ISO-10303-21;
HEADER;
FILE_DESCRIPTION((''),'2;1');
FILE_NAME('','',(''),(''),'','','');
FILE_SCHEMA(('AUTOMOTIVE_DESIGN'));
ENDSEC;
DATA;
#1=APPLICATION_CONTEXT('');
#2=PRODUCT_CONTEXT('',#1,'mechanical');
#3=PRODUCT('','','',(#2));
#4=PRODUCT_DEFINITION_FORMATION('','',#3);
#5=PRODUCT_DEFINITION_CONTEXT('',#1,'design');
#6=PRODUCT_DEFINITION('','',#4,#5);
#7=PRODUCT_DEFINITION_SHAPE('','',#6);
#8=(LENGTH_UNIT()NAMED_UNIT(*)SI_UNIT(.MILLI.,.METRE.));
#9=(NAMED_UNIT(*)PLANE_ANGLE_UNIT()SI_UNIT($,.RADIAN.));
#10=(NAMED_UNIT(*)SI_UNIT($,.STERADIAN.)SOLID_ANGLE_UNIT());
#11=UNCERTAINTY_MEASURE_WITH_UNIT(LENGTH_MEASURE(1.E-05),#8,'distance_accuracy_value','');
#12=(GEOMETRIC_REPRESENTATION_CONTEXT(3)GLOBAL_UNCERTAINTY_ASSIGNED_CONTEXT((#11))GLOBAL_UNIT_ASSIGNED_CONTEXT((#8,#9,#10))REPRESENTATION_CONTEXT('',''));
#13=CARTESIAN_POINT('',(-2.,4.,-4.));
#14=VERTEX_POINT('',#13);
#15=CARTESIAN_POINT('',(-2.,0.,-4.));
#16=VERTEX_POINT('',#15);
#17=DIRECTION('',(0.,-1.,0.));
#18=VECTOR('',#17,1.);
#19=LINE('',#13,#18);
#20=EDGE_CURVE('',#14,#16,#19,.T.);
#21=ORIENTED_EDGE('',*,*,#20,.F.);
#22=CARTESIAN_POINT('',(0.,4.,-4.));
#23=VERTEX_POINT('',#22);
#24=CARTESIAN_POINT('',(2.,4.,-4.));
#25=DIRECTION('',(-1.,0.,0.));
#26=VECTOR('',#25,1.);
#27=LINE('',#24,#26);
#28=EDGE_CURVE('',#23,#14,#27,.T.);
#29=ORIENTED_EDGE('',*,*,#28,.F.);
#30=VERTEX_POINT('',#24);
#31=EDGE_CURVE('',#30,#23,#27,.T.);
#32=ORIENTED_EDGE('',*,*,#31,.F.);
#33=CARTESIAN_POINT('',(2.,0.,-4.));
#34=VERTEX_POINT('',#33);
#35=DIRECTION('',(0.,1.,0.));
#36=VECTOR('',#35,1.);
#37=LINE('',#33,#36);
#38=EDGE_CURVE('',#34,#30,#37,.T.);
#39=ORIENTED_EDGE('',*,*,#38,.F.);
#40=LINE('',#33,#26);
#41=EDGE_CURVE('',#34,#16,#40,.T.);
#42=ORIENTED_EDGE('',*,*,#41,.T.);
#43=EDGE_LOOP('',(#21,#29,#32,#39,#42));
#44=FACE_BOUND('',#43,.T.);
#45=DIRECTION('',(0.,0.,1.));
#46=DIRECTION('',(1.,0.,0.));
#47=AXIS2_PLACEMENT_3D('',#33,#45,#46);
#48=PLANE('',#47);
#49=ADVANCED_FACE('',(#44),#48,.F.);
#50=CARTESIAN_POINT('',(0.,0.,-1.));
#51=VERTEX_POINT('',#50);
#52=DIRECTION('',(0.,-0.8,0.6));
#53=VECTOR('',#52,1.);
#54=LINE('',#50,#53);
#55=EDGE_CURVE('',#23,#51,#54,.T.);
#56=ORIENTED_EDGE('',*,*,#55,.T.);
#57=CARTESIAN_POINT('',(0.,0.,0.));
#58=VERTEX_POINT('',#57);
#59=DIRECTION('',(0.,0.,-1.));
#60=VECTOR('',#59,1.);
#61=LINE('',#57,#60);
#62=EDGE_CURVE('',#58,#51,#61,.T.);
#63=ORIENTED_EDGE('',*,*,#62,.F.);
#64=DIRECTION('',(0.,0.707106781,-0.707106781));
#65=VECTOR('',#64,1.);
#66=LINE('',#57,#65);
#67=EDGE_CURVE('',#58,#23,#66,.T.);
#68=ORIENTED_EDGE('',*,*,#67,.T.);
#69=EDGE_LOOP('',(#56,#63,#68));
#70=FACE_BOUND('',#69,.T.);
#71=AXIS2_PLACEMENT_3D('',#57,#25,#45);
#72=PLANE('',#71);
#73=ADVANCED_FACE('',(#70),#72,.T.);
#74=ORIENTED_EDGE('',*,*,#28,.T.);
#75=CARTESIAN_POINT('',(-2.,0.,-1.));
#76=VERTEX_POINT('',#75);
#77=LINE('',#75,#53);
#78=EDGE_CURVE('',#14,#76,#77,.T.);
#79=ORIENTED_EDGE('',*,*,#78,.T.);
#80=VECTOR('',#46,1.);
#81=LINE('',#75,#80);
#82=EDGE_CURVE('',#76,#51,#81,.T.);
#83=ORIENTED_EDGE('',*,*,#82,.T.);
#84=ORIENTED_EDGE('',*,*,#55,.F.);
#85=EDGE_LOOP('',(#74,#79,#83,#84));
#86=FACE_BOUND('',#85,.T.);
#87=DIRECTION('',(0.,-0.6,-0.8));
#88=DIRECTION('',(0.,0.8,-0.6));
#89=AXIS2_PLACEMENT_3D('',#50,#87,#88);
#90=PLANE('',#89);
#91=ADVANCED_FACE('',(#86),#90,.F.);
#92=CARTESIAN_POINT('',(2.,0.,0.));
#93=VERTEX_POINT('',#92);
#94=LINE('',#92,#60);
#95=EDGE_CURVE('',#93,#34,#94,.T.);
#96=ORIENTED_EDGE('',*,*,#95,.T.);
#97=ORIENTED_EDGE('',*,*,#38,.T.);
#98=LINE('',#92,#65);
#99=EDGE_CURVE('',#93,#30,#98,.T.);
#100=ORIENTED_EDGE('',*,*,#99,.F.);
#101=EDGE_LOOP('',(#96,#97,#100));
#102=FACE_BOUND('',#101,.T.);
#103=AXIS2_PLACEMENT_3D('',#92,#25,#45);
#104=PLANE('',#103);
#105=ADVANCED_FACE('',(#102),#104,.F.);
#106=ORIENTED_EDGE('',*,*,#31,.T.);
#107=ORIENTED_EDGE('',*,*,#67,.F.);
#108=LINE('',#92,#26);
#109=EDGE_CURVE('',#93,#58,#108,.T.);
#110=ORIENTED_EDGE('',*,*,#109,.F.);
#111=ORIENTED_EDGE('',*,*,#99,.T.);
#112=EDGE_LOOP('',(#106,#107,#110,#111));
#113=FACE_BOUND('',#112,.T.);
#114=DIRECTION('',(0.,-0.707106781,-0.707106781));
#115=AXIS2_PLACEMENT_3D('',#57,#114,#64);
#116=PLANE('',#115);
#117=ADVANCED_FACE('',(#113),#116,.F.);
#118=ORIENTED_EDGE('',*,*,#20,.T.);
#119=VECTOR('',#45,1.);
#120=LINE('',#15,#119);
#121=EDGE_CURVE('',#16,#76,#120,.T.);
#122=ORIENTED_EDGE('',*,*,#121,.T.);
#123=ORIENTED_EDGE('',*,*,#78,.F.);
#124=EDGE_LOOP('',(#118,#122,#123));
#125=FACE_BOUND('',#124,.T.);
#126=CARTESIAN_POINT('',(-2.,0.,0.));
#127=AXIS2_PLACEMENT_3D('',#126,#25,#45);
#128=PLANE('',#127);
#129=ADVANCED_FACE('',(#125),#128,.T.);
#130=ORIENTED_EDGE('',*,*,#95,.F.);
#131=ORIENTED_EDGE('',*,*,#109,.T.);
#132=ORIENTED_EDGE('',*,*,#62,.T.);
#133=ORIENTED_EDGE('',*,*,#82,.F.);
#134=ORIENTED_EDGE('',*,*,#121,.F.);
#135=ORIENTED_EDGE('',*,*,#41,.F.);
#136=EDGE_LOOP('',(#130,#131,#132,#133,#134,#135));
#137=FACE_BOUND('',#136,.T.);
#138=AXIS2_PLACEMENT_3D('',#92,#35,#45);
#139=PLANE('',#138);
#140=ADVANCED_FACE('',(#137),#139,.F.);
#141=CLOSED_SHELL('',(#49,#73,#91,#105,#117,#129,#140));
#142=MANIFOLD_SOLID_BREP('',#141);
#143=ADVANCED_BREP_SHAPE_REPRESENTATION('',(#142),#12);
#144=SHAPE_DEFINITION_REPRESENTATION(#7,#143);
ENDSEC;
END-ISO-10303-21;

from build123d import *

# Parameters (mm, degrees)
SKETCH1_W           = 4
SKETCH1_H           = 4
BOSS_EXTRUDE1_DEPTH = 2
SKETCH2_W           = 3
SKETCH2_H           = 4
BOSS_EXTRUDE2_DEPTH = 2
CUT_EXTRUDE1_DEPTH  = 2
CUT_EXTRUDE2_DEPTH  = 2


with BuildPart() as part:
    # Sketch1 → Boss-Extrude1 (new body)
    with BuildSketch(Plane(origin=(0, 0, 0), x_dir=(0, 0, -1), z_dir=(1, 0, 0))):
        with Locations((2, 2)):
            Rectangle(SKETCH1_W, SKETCH1_H)
    extrude(amount=BOSS_EXTRUDE1_DEPTH)

    # Sketch2 → Boss-Extrude2 (add)
    with BuildSketch(Plane.ZY):
        with Locations((-2.5, 2)):
            Rectangle(SKETCH2_W, SKETCH2_H)
    extrude(amount=BOSS_EXTRUDE2_DEPTH)

    # Sketch3 → Cut-Extrude1 (cut)
    with BuildSketch(Plane(origin=(2, 0, 0), x_dir=(0, 0, -1), z_dir=(1, 0, 0))):
        Polygon((0, 0), (4, 4), (0, 4), align=None)
    extrude(amount=-CUT_EXTRUDE1_DEPTH, mode=Mode.SUBTRACT)

    # Sketch4 → Cut-Extrude2 (cut)
    with BuildSketch(Plane.ZY.offset(2)):
        Polygon((-1, 0), (-4, 4), (-1, 4), align=None)
    extrude(amount=-CUT_EXTRUDE2_DEPTH, mode=Mode.SUBTRACT)


solid = part.part
